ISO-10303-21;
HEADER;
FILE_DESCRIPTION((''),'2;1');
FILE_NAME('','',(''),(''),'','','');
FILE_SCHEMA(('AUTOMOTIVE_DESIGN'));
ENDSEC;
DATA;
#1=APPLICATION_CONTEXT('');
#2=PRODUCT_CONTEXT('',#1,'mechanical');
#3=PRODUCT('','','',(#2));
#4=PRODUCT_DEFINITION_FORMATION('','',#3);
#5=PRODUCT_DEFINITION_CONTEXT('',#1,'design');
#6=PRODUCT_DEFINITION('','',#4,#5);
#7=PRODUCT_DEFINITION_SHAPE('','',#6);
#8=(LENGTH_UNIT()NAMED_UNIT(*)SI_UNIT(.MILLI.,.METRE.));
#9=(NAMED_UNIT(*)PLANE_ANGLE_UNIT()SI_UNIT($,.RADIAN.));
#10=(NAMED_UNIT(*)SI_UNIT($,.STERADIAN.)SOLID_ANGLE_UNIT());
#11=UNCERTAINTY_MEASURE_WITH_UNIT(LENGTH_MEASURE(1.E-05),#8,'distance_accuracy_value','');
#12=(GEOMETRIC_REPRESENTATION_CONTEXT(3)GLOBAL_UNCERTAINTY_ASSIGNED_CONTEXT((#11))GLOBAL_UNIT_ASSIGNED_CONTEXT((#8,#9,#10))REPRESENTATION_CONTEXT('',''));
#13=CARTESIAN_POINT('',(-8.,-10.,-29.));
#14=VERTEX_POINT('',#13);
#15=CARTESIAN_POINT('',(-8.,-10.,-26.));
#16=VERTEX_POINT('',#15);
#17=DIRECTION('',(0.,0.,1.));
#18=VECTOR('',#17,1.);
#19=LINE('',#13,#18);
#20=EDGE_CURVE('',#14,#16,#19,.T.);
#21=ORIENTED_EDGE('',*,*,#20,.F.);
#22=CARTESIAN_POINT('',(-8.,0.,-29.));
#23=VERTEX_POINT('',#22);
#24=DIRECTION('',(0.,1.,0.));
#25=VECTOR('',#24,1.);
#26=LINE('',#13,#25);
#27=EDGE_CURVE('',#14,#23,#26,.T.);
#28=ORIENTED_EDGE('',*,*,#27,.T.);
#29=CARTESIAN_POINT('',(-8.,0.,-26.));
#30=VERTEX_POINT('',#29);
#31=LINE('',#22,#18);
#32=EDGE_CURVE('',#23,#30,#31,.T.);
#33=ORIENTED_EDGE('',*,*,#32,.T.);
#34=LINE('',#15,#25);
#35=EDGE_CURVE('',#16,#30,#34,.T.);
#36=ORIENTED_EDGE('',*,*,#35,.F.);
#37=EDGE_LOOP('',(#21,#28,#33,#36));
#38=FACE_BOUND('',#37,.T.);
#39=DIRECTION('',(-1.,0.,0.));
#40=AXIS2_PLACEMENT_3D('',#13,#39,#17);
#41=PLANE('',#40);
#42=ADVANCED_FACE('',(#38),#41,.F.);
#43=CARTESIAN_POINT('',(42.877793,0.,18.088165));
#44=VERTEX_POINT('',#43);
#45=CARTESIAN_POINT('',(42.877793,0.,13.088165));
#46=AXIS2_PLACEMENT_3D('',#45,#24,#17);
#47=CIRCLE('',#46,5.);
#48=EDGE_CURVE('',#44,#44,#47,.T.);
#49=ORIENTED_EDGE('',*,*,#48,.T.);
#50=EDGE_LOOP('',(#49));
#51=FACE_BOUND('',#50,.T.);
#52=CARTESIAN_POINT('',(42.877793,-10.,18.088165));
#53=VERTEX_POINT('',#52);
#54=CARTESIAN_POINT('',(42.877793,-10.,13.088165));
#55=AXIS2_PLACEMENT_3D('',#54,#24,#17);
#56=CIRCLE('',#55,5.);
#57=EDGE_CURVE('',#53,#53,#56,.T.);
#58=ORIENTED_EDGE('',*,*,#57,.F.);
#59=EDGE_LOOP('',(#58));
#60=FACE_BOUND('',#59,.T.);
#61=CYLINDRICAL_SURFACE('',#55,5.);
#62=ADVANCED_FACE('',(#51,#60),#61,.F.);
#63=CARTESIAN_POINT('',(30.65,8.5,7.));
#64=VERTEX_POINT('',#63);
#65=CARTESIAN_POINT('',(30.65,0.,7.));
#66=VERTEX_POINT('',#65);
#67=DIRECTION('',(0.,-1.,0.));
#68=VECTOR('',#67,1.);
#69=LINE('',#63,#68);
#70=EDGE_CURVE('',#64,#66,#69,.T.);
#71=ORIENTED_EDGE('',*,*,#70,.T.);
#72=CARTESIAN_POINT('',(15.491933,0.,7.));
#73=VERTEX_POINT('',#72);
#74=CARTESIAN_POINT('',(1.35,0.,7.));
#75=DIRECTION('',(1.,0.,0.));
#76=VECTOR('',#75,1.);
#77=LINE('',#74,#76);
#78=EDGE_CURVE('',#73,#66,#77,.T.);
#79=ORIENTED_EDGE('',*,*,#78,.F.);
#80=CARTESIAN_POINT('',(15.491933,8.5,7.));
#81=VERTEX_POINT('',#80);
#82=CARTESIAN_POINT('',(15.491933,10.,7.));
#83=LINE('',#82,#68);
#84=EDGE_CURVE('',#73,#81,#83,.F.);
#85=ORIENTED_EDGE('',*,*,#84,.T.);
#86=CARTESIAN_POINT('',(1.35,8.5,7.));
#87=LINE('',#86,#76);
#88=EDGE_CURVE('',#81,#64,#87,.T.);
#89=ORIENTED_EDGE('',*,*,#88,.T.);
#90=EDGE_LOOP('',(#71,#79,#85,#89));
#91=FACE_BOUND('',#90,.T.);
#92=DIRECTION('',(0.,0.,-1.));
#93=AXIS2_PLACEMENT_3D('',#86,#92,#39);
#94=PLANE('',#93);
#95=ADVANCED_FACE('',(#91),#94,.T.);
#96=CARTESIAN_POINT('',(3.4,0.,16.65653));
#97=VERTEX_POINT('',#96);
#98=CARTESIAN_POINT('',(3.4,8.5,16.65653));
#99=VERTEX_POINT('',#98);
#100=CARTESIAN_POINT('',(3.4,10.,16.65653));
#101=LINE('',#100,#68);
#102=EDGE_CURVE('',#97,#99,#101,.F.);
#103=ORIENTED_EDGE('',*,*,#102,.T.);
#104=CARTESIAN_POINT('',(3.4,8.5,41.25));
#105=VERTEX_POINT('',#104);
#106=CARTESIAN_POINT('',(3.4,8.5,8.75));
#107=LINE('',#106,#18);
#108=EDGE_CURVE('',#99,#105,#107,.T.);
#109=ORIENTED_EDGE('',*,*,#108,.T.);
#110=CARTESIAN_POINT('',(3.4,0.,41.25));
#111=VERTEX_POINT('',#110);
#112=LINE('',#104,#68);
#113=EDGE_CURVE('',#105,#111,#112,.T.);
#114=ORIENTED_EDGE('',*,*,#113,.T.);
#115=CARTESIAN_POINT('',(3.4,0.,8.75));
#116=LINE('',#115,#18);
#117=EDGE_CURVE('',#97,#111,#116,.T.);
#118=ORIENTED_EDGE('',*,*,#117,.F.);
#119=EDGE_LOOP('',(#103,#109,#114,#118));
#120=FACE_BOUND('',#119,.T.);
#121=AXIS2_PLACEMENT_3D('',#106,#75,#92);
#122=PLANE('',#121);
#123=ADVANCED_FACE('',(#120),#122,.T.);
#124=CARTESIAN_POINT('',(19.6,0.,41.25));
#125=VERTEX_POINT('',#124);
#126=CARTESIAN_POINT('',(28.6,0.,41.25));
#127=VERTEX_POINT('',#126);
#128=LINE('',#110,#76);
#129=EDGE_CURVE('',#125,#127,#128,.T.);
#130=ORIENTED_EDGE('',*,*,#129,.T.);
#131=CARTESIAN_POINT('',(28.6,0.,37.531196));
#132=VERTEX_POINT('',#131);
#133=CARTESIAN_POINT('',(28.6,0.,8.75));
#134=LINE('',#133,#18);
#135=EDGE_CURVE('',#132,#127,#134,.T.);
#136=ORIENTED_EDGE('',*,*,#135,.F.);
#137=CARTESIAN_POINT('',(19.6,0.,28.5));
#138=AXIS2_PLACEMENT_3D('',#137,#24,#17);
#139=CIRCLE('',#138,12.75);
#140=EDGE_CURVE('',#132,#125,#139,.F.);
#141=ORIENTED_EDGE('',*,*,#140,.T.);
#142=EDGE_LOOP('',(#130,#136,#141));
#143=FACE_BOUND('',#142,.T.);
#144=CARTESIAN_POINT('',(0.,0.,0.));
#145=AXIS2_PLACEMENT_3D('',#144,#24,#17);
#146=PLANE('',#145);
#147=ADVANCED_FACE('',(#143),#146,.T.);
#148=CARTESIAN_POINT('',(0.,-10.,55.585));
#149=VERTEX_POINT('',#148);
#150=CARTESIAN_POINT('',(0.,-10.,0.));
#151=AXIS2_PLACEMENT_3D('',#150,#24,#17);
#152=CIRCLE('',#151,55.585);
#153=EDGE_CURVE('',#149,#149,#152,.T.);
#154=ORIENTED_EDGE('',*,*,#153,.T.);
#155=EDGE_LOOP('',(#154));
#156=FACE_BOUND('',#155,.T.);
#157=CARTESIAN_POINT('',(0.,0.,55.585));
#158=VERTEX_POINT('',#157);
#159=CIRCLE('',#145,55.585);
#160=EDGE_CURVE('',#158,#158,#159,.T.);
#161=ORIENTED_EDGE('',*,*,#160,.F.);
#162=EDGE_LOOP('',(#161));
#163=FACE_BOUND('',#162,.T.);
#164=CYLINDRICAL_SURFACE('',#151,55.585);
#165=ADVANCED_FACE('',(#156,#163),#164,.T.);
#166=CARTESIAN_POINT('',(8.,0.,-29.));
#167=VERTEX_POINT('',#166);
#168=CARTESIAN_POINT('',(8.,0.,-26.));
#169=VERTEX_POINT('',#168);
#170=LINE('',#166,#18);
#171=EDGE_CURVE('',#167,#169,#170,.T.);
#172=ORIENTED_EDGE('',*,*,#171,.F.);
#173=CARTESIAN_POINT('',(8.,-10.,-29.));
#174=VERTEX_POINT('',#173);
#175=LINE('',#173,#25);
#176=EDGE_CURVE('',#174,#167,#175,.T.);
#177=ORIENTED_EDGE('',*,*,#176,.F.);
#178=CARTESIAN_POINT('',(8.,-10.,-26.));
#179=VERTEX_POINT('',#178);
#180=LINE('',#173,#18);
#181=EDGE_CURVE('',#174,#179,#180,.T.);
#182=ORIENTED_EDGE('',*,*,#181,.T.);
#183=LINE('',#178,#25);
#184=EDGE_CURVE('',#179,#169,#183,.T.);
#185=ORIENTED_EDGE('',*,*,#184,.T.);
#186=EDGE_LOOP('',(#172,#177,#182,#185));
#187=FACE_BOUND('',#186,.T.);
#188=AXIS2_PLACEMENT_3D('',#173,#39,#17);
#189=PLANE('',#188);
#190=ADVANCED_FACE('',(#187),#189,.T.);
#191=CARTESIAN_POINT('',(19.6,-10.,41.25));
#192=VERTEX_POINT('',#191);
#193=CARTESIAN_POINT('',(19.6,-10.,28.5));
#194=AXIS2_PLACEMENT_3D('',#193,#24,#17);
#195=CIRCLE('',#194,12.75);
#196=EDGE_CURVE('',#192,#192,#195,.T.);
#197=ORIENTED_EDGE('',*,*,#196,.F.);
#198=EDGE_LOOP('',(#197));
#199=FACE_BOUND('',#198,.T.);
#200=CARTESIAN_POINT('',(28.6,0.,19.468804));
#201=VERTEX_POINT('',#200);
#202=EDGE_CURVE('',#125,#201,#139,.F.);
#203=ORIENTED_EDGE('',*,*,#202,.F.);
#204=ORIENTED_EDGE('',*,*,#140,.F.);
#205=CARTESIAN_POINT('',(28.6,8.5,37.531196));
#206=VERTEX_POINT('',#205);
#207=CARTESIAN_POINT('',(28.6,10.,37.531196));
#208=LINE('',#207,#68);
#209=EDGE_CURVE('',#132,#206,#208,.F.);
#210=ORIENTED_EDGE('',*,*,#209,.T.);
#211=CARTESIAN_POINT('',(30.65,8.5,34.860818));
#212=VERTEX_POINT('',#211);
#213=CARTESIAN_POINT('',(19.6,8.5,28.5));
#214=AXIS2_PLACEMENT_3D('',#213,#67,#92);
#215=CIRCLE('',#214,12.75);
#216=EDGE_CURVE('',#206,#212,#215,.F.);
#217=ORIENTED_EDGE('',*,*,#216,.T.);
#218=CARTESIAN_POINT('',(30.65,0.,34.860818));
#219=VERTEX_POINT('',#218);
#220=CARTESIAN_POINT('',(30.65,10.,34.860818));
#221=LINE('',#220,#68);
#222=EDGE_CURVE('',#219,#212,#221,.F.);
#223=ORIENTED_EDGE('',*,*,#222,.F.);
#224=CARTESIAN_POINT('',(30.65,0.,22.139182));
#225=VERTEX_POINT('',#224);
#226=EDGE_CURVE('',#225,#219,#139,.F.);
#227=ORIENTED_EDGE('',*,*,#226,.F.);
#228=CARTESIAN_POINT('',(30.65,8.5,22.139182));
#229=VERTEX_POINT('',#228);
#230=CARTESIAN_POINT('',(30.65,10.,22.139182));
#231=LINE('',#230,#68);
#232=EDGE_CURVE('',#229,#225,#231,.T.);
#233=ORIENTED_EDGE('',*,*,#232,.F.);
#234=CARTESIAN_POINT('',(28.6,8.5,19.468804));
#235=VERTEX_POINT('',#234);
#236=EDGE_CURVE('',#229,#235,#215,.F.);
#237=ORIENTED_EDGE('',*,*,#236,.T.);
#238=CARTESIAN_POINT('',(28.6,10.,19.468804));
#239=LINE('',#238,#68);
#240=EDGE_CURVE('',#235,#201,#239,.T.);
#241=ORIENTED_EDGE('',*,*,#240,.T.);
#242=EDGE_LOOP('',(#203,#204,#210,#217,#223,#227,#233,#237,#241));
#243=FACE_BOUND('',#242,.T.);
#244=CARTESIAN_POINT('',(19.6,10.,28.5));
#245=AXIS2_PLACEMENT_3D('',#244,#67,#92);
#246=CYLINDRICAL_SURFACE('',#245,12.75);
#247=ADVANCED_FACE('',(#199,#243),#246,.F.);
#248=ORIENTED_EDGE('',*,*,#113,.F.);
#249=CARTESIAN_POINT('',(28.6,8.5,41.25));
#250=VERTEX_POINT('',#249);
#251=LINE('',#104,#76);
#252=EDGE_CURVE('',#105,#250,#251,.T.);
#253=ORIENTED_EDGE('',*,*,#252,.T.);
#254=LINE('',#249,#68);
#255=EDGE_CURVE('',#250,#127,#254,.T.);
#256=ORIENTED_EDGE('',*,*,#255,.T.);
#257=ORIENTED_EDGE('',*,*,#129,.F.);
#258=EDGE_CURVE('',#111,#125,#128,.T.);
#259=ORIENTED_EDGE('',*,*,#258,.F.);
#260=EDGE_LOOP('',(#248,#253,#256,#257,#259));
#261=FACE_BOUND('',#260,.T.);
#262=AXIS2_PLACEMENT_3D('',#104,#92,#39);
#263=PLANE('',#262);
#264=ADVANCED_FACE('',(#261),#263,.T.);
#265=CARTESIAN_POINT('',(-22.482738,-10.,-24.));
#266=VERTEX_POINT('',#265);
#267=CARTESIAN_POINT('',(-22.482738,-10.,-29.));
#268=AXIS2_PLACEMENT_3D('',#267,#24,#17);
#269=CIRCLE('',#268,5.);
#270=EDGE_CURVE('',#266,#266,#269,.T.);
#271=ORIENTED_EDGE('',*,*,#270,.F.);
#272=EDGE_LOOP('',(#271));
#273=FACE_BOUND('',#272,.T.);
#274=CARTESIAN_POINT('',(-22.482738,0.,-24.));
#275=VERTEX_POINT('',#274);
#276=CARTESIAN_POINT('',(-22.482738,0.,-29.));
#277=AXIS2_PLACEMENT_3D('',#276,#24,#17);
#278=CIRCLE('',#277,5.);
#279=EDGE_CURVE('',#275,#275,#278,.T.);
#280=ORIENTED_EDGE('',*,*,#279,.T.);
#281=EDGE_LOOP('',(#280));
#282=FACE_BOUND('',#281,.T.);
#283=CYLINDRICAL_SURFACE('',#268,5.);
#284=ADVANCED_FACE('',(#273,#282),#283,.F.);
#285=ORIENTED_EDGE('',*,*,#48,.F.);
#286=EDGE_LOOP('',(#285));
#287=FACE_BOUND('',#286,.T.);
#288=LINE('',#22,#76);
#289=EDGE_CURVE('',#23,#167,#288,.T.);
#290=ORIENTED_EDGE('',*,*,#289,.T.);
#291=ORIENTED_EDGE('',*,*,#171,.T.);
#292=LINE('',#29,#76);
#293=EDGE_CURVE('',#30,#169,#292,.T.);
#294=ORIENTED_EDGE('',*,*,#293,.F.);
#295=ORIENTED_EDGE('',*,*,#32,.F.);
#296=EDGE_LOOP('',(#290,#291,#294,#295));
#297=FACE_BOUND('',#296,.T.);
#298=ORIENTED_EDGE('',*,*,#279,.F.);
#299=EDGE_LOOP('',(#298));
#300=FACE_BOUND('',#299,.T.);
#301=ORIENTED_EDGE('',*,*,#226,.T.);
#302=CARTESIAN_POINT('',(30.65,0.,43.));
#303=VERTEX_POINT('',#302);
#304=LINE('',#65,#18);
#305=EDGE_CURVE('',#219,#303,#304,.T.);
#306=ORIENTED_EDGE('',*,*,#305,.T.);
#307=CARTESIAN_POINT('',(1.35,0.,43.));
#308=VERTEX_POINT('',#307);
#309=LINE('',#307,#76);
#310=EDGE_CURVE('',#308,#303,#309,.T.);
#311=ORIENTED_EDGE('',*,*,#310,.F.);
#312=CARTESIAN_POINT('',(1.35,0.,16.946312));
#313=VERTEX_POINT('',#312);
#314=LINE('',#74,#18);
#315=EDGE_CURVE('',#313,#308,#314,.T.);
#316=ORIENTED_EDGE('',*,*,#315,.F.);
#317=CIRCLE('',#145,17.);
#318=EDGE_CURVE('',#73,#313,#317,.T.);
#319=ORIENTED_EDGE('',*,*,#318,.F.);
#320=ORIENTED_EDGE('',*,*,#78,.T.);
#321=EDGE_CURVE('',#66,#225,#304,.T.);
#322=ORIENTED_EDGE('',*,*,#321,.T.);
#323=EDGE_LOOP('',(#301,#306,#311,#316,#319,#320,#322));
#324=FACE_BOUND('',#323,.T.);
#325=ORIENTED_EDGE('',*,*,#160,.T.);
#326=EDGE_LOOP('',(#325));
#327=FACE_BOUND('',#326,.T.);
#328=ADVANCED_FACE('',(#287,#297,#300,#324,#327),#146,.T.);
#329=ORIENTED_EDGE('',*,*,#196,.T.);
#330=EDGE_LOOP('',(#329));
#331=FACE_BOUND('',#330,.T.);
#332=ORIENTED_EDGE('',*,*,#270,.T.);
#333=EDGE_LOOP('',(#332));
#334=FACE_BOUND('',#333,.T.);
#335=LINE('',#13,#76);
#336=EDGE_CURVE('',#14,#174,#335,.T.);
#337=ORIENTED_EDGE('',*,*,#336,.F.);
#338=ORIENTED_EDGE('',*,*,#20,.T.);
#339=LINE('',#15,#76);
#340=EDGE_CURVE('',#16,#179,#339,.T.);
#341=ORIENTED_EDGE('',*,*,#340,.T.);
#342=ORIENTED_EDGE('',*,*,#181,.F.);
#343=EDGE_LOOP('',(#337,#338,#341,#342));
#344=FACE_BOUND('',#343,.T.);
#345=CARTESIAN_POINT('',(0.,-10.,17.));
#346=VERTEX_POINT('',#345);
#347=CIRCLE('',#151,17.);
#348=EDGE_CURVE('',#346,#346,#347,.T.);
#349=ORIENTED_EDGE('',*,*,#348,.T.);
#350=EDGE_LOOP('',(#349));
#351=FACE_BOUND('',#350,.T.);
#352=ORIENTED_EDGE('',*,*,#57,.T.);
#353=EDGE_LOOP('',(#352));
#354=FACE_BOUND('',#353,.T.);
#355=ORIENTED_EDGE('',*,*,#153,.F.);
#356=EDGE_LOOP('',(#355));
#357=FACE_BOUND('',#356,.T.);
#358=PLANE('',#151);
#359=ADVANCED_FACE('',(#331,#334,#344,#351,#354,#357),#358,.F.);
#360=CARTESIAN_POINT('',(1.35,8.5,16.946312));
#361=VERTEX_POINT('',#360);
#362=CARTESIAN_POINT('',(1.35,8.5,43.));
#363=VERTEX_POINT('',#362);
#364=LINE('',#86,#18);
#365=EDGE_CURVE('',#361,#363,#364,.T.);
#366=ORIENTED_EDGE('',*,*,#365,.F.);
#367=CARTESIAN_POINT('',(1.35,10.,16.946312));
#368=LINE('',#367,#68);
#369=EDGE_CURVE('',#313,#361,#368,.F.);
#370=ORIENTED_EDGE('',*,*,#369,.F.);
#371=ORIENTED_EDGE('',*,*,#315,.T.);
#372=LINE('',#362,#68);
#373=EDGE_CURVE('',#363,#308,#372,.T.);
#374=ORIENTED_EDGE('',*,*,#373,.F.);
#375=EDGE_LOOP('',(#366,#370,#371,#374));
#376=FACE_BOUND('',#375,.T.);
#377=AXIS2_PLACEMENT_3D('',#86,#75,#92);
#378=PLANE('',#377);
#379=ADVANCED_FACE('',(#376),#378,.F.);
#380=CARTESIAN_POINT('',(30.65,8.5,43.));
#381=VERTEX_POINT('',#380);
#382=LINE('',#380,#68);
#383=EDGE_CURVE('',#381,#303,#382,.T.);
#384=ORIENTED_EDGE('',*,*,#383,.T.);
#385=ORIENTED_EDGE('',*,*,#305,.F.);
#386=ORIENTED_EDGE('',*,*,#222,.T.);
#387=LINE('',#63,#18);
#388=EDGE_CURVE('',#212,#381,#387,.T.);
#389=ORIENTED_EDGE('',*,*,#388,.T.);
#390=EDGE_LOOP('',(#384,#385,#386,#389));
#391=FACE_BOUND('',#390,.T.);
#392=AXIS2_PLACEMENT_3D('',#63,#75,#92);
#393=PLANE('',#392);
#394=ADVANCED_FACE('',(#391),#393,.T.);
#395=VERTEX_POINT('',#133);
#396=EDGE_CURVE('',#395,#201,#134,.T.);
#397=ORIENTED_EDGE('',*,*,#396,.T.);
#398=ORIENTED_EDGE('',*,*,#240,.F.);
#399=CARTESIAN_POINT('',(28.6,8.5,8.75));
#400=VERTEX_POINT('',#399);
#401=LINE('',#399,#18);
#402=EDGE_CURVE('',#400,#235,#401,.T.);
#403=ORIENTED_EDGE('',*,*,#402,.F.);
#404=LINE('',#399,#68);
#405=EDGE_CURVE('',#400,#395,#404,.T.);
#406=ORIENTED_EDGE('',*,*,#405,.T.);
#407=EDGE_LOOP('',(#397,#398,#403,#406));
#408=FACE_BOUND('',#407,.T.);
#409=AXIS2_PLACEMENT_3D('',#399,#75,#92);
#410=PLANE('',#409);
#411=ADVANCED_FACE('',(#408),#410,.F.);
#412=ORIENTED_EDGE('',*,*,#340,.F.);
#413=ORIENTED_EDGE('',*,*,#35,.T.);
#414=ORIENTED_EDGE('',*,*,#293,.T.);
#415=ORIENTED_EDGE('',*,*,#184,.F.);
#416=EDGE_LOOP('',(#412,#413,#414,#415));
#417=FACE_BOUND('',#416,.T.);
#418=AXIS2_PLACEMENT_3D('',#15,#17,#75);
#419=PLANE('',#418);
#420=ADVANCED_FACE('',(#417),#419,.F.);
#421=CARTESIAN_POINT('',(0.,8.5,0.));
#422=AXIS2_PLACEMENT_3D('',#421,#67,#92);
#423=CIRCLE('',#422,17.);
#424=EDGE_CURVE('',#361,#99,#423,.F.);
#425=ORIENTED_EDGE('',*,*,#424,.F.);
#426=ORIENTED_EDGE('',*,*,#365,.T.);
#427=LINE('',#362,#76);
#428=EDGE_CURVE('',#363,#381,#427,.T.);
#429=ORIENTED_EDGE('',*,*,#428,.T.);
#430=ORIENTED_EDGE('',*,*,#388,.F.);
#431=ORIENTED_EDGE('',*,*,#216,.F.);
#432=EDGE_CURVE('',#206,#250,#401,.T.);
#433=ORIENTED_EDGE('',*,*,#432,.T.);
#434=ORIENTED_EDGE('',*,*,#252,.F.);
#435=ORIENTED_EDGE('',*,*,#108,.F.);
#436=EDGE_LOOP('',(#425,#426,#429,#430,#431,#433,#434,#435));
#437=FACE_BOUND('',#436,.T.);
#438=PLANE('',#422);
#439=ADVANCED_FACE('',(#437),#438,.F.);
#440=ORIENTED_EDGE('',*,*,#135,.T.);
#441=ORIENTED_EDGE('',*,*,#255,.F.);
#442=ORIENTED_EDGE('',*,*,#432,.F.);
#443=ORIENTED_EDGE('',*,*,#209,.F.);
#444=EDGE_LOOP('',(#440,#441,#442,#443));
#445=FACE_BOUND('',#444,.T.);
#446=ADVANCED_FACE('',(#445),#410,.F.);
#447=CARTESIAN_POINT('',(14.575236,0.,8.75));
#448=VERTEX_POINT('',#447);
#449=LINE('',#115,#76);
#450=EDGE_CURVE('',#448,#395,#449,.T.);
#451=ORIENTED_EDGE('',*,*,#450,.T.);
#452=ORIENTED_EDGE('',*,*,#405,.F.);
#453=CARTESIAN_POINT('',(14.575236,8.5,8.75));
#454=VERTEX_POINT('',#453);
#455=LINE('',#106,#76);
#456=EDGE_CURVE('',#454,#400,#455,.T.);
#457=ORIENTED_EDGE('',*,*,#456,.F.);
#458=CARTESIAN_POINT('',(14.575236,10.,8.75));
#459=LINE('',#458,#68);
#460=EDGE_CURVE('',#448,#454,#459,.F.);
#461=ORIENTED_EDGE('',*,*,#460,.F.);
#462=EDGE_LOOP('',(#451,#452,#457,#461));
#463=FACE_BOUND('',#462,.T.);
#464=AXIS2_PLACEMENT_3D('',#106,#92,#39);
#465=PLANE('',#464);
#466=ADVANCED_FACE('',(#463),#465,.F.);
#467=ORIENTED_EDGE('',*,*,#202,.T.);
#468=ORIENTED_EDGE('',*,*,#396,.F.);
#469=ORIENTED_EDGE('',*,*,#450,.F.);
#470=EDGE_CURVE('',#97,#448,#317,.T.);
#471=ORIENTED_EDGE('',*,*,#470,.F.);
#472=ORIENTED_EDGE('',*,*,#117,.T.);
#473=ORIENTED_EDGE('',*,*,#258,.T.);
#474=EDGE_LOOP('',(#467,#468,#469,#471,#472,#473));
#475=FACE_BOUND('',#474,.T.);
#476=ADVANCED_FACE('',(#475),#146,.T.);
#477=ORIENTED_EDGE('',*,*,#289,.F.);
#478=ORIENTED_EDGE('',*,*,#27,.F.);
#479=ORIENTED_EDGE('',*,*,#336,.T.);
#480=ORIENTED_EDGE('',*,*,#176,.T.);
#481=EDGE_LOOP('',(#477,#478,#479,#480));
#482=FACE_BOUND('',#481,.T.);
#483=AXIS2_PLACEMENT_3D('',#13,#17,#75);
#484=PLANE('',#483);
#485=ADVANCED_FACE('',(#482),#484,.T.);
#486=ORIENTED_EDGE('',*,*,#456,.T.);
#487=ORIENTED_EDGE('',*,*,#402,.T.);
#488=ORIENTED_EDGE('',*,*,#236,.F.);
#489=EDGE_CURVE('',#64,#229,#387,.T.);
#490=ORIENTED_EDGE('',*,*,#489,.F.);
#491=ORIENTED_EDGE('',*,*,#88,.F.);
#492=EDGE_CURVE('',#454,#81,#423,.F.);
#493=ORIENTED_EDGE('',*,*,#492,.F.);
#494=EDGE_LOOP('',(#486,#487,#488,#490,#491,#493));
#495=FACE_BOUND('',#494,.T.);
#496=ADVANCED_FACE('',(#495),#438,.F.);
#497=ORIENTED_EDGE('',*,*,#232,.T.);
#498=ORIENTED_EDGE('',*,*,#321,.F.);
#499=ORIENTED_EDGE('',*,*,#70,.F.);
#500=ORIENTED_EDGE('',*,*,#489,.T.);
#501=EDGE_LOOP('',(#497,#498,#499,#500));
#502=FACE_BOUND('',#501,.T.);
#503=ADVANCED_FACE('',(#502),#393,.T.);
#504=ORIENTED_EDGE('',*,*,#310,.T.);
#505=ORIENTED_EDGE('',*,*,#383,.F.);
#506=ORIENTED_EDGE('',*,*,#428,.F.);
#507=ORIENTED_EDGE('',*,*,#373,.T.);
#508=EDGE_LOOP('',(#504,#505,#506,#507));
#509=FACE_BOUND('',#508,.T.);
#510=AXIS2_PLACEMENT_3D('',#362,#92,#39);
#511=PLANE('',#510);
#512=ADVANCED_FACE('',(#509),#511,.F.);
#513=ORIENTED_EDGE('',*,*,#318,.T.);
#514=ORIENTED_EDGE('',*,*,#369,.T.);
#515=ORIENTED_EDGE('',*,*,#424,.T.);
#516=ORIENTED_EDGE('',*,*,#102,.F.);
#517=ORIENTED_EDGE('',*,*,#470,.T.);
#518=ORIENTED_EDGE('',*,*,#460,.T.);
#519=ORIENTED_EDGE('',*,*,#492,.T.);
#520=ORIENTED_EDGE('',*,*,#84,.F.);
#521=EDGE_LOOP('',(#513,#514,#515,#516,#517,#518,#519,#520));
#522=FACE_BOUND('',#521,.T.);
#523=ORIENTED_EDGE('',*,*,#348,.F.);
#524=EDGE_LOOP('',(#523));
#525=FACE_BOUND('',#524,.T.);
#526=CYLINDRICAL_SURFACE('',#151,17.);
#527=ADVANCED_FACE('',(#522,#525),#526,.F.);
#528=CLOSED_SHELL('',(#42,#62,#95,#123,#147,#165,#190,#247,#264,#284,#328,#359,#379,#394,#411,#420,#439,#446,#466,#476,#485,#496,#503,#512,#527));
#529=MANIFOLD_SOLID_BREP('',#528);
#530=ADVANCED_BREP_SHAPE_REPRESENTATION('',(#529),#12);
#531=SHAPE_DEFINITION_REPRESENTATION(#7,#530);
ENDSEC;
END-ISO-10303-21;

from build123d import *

# Parameters (mm, degrees)
SKETCH1_R               = 55.585
SKETCH1_R_2             = 17
BOSS_EXTRUDE1_DEPTH     = 10
SKETCH2_W               = 29.3
SKETCH2_H               = 36
SKETCH2_W_2             = 25.2
SKETCH2_H_2             = 32.5
BOSS_EXTRUDE2_DEPTH     = 8.5
CUT_EXTRUDE1_DEPTH      = 10
CUT_EXTRUDE1_DEPTH_BACK = 10
SKETCH4_R               = 12.75
CUT_EXTRUDE2_START      = 10
SKETCH5_R               = 17
CUT_EXTRUDE2_DEPTH      = 10
SKETCH6_R               = 5
CUT_EXTRUDE3_DEPTH      = 10
SKETCH8_R               = 5
SKETCH8_W               = 16
SKETCH8_H               = 3
CUT_EXTRUDE4_DEPTH      = 10


with BuildPart() as part:
    # Sketch1 → Boss-Extrude1 (new body)
    with BuildSketch(Plane(origin=(0, 0, 0), x_dir=(1, 0, 0), z_dir=(0, 1, 0))):
        with Locations(Location((0, 0, 0), (0, 0, 270))):
            Circle(SKETCH1_R)
        with Locations(Location((0, 0, 0), (0, 0, 270))):
            Circle(SKETCH1_R_2, mode=Mode.SUBTRACT)
    extrude(amount=-BOSS_EXTRUDE1_DEPTH)

    # Sketch2 → Boss-Extrude2 (add)
    with BuildSketch(Plane(origin=(0, 0, 0), x_dir=(1, 0, 0), z_dir=(0, 1, 0))):
        with Locations((16, -25)):
            Rectangle(SKETCH2_W, SKETCH2_H)
        with Locations((16, -25)):
            Rectangle(SKETCH2_W_2, SKETCH2_H_2, mode=Mode.SUBTRACT)
    extrude(amount=BOSS_EXTRUDE2_DEPTH)

    # Sketch4 → Cut-Extrude1 (cut, two sides: drawn at the far end of the back side and taken through both)
    with BuildSketch(Plane(origin=(0, 0, 0), x_dir=(1, 0, 0), z_dir=(0, 1, 0)).offset(-CUT_EXTRUDE1_DEPTH_BACK)):
        with Locations(Location((19.6, -28.5, 0), (0, 0, 270))):
            Circle(SKETCH4_R)
    extrude(amount=CUT_EXTRUDE1_DEPTH + CUT_EXTRUDE1_DEPTH_BACK, mode=Mode.SUBTRACT)

    # Sketch5 → Cut-Extrude2 (cut)
    with BuildSketch(Plane(origin=(0, 0, 0), x_dir=(1, 0, 0), z_dir=(0, 1, 0)).offset(CUT_EXTRUDE2_START)):
        with Locations(Location((0, 0, 0), (0, 0, 270))):
            Circle(SKETCH5_R)
    extrude(amount=-CUT_EXTRUDE2_DEPTH, mode=Mode.SUBTRACT)

    # Sketch6 → Cut-Extrude3 (cut)
    with BuildSketch(Plane(origin=(0, 0, 0), x_dir=(1, 0, 0), z_dir=(0, 1, 0))):
        with Locations(Location((42.877793379, -13.088165395, 0), (0, 0, 270))):
            Circle(SKETCH6_R)
    extrude(amount=-CUT_EXTRUDE3_DEPTH, mode=Mode.SUBTRACT)

    # Sketch8 → Cut-Extrude4 (cut)
    with BuildSketch(Plane(origin=(0, 0, 0), x_dir=(1, 0, 0), z_dir=(0, 1, 0))):
        with Locations(Location((-22.482738101, 29, 0), (0, 0, 270))):
            Circle(SKETCH8_R)
        with Locations((0, 27.5)):
            Rectangle(SKETCH8_W, SKETCH8_H)
    extrude(amount=-CUT_EXTRUDE4_DEPTH, mode=Mode.SUBTRACT)


solid = part.part
